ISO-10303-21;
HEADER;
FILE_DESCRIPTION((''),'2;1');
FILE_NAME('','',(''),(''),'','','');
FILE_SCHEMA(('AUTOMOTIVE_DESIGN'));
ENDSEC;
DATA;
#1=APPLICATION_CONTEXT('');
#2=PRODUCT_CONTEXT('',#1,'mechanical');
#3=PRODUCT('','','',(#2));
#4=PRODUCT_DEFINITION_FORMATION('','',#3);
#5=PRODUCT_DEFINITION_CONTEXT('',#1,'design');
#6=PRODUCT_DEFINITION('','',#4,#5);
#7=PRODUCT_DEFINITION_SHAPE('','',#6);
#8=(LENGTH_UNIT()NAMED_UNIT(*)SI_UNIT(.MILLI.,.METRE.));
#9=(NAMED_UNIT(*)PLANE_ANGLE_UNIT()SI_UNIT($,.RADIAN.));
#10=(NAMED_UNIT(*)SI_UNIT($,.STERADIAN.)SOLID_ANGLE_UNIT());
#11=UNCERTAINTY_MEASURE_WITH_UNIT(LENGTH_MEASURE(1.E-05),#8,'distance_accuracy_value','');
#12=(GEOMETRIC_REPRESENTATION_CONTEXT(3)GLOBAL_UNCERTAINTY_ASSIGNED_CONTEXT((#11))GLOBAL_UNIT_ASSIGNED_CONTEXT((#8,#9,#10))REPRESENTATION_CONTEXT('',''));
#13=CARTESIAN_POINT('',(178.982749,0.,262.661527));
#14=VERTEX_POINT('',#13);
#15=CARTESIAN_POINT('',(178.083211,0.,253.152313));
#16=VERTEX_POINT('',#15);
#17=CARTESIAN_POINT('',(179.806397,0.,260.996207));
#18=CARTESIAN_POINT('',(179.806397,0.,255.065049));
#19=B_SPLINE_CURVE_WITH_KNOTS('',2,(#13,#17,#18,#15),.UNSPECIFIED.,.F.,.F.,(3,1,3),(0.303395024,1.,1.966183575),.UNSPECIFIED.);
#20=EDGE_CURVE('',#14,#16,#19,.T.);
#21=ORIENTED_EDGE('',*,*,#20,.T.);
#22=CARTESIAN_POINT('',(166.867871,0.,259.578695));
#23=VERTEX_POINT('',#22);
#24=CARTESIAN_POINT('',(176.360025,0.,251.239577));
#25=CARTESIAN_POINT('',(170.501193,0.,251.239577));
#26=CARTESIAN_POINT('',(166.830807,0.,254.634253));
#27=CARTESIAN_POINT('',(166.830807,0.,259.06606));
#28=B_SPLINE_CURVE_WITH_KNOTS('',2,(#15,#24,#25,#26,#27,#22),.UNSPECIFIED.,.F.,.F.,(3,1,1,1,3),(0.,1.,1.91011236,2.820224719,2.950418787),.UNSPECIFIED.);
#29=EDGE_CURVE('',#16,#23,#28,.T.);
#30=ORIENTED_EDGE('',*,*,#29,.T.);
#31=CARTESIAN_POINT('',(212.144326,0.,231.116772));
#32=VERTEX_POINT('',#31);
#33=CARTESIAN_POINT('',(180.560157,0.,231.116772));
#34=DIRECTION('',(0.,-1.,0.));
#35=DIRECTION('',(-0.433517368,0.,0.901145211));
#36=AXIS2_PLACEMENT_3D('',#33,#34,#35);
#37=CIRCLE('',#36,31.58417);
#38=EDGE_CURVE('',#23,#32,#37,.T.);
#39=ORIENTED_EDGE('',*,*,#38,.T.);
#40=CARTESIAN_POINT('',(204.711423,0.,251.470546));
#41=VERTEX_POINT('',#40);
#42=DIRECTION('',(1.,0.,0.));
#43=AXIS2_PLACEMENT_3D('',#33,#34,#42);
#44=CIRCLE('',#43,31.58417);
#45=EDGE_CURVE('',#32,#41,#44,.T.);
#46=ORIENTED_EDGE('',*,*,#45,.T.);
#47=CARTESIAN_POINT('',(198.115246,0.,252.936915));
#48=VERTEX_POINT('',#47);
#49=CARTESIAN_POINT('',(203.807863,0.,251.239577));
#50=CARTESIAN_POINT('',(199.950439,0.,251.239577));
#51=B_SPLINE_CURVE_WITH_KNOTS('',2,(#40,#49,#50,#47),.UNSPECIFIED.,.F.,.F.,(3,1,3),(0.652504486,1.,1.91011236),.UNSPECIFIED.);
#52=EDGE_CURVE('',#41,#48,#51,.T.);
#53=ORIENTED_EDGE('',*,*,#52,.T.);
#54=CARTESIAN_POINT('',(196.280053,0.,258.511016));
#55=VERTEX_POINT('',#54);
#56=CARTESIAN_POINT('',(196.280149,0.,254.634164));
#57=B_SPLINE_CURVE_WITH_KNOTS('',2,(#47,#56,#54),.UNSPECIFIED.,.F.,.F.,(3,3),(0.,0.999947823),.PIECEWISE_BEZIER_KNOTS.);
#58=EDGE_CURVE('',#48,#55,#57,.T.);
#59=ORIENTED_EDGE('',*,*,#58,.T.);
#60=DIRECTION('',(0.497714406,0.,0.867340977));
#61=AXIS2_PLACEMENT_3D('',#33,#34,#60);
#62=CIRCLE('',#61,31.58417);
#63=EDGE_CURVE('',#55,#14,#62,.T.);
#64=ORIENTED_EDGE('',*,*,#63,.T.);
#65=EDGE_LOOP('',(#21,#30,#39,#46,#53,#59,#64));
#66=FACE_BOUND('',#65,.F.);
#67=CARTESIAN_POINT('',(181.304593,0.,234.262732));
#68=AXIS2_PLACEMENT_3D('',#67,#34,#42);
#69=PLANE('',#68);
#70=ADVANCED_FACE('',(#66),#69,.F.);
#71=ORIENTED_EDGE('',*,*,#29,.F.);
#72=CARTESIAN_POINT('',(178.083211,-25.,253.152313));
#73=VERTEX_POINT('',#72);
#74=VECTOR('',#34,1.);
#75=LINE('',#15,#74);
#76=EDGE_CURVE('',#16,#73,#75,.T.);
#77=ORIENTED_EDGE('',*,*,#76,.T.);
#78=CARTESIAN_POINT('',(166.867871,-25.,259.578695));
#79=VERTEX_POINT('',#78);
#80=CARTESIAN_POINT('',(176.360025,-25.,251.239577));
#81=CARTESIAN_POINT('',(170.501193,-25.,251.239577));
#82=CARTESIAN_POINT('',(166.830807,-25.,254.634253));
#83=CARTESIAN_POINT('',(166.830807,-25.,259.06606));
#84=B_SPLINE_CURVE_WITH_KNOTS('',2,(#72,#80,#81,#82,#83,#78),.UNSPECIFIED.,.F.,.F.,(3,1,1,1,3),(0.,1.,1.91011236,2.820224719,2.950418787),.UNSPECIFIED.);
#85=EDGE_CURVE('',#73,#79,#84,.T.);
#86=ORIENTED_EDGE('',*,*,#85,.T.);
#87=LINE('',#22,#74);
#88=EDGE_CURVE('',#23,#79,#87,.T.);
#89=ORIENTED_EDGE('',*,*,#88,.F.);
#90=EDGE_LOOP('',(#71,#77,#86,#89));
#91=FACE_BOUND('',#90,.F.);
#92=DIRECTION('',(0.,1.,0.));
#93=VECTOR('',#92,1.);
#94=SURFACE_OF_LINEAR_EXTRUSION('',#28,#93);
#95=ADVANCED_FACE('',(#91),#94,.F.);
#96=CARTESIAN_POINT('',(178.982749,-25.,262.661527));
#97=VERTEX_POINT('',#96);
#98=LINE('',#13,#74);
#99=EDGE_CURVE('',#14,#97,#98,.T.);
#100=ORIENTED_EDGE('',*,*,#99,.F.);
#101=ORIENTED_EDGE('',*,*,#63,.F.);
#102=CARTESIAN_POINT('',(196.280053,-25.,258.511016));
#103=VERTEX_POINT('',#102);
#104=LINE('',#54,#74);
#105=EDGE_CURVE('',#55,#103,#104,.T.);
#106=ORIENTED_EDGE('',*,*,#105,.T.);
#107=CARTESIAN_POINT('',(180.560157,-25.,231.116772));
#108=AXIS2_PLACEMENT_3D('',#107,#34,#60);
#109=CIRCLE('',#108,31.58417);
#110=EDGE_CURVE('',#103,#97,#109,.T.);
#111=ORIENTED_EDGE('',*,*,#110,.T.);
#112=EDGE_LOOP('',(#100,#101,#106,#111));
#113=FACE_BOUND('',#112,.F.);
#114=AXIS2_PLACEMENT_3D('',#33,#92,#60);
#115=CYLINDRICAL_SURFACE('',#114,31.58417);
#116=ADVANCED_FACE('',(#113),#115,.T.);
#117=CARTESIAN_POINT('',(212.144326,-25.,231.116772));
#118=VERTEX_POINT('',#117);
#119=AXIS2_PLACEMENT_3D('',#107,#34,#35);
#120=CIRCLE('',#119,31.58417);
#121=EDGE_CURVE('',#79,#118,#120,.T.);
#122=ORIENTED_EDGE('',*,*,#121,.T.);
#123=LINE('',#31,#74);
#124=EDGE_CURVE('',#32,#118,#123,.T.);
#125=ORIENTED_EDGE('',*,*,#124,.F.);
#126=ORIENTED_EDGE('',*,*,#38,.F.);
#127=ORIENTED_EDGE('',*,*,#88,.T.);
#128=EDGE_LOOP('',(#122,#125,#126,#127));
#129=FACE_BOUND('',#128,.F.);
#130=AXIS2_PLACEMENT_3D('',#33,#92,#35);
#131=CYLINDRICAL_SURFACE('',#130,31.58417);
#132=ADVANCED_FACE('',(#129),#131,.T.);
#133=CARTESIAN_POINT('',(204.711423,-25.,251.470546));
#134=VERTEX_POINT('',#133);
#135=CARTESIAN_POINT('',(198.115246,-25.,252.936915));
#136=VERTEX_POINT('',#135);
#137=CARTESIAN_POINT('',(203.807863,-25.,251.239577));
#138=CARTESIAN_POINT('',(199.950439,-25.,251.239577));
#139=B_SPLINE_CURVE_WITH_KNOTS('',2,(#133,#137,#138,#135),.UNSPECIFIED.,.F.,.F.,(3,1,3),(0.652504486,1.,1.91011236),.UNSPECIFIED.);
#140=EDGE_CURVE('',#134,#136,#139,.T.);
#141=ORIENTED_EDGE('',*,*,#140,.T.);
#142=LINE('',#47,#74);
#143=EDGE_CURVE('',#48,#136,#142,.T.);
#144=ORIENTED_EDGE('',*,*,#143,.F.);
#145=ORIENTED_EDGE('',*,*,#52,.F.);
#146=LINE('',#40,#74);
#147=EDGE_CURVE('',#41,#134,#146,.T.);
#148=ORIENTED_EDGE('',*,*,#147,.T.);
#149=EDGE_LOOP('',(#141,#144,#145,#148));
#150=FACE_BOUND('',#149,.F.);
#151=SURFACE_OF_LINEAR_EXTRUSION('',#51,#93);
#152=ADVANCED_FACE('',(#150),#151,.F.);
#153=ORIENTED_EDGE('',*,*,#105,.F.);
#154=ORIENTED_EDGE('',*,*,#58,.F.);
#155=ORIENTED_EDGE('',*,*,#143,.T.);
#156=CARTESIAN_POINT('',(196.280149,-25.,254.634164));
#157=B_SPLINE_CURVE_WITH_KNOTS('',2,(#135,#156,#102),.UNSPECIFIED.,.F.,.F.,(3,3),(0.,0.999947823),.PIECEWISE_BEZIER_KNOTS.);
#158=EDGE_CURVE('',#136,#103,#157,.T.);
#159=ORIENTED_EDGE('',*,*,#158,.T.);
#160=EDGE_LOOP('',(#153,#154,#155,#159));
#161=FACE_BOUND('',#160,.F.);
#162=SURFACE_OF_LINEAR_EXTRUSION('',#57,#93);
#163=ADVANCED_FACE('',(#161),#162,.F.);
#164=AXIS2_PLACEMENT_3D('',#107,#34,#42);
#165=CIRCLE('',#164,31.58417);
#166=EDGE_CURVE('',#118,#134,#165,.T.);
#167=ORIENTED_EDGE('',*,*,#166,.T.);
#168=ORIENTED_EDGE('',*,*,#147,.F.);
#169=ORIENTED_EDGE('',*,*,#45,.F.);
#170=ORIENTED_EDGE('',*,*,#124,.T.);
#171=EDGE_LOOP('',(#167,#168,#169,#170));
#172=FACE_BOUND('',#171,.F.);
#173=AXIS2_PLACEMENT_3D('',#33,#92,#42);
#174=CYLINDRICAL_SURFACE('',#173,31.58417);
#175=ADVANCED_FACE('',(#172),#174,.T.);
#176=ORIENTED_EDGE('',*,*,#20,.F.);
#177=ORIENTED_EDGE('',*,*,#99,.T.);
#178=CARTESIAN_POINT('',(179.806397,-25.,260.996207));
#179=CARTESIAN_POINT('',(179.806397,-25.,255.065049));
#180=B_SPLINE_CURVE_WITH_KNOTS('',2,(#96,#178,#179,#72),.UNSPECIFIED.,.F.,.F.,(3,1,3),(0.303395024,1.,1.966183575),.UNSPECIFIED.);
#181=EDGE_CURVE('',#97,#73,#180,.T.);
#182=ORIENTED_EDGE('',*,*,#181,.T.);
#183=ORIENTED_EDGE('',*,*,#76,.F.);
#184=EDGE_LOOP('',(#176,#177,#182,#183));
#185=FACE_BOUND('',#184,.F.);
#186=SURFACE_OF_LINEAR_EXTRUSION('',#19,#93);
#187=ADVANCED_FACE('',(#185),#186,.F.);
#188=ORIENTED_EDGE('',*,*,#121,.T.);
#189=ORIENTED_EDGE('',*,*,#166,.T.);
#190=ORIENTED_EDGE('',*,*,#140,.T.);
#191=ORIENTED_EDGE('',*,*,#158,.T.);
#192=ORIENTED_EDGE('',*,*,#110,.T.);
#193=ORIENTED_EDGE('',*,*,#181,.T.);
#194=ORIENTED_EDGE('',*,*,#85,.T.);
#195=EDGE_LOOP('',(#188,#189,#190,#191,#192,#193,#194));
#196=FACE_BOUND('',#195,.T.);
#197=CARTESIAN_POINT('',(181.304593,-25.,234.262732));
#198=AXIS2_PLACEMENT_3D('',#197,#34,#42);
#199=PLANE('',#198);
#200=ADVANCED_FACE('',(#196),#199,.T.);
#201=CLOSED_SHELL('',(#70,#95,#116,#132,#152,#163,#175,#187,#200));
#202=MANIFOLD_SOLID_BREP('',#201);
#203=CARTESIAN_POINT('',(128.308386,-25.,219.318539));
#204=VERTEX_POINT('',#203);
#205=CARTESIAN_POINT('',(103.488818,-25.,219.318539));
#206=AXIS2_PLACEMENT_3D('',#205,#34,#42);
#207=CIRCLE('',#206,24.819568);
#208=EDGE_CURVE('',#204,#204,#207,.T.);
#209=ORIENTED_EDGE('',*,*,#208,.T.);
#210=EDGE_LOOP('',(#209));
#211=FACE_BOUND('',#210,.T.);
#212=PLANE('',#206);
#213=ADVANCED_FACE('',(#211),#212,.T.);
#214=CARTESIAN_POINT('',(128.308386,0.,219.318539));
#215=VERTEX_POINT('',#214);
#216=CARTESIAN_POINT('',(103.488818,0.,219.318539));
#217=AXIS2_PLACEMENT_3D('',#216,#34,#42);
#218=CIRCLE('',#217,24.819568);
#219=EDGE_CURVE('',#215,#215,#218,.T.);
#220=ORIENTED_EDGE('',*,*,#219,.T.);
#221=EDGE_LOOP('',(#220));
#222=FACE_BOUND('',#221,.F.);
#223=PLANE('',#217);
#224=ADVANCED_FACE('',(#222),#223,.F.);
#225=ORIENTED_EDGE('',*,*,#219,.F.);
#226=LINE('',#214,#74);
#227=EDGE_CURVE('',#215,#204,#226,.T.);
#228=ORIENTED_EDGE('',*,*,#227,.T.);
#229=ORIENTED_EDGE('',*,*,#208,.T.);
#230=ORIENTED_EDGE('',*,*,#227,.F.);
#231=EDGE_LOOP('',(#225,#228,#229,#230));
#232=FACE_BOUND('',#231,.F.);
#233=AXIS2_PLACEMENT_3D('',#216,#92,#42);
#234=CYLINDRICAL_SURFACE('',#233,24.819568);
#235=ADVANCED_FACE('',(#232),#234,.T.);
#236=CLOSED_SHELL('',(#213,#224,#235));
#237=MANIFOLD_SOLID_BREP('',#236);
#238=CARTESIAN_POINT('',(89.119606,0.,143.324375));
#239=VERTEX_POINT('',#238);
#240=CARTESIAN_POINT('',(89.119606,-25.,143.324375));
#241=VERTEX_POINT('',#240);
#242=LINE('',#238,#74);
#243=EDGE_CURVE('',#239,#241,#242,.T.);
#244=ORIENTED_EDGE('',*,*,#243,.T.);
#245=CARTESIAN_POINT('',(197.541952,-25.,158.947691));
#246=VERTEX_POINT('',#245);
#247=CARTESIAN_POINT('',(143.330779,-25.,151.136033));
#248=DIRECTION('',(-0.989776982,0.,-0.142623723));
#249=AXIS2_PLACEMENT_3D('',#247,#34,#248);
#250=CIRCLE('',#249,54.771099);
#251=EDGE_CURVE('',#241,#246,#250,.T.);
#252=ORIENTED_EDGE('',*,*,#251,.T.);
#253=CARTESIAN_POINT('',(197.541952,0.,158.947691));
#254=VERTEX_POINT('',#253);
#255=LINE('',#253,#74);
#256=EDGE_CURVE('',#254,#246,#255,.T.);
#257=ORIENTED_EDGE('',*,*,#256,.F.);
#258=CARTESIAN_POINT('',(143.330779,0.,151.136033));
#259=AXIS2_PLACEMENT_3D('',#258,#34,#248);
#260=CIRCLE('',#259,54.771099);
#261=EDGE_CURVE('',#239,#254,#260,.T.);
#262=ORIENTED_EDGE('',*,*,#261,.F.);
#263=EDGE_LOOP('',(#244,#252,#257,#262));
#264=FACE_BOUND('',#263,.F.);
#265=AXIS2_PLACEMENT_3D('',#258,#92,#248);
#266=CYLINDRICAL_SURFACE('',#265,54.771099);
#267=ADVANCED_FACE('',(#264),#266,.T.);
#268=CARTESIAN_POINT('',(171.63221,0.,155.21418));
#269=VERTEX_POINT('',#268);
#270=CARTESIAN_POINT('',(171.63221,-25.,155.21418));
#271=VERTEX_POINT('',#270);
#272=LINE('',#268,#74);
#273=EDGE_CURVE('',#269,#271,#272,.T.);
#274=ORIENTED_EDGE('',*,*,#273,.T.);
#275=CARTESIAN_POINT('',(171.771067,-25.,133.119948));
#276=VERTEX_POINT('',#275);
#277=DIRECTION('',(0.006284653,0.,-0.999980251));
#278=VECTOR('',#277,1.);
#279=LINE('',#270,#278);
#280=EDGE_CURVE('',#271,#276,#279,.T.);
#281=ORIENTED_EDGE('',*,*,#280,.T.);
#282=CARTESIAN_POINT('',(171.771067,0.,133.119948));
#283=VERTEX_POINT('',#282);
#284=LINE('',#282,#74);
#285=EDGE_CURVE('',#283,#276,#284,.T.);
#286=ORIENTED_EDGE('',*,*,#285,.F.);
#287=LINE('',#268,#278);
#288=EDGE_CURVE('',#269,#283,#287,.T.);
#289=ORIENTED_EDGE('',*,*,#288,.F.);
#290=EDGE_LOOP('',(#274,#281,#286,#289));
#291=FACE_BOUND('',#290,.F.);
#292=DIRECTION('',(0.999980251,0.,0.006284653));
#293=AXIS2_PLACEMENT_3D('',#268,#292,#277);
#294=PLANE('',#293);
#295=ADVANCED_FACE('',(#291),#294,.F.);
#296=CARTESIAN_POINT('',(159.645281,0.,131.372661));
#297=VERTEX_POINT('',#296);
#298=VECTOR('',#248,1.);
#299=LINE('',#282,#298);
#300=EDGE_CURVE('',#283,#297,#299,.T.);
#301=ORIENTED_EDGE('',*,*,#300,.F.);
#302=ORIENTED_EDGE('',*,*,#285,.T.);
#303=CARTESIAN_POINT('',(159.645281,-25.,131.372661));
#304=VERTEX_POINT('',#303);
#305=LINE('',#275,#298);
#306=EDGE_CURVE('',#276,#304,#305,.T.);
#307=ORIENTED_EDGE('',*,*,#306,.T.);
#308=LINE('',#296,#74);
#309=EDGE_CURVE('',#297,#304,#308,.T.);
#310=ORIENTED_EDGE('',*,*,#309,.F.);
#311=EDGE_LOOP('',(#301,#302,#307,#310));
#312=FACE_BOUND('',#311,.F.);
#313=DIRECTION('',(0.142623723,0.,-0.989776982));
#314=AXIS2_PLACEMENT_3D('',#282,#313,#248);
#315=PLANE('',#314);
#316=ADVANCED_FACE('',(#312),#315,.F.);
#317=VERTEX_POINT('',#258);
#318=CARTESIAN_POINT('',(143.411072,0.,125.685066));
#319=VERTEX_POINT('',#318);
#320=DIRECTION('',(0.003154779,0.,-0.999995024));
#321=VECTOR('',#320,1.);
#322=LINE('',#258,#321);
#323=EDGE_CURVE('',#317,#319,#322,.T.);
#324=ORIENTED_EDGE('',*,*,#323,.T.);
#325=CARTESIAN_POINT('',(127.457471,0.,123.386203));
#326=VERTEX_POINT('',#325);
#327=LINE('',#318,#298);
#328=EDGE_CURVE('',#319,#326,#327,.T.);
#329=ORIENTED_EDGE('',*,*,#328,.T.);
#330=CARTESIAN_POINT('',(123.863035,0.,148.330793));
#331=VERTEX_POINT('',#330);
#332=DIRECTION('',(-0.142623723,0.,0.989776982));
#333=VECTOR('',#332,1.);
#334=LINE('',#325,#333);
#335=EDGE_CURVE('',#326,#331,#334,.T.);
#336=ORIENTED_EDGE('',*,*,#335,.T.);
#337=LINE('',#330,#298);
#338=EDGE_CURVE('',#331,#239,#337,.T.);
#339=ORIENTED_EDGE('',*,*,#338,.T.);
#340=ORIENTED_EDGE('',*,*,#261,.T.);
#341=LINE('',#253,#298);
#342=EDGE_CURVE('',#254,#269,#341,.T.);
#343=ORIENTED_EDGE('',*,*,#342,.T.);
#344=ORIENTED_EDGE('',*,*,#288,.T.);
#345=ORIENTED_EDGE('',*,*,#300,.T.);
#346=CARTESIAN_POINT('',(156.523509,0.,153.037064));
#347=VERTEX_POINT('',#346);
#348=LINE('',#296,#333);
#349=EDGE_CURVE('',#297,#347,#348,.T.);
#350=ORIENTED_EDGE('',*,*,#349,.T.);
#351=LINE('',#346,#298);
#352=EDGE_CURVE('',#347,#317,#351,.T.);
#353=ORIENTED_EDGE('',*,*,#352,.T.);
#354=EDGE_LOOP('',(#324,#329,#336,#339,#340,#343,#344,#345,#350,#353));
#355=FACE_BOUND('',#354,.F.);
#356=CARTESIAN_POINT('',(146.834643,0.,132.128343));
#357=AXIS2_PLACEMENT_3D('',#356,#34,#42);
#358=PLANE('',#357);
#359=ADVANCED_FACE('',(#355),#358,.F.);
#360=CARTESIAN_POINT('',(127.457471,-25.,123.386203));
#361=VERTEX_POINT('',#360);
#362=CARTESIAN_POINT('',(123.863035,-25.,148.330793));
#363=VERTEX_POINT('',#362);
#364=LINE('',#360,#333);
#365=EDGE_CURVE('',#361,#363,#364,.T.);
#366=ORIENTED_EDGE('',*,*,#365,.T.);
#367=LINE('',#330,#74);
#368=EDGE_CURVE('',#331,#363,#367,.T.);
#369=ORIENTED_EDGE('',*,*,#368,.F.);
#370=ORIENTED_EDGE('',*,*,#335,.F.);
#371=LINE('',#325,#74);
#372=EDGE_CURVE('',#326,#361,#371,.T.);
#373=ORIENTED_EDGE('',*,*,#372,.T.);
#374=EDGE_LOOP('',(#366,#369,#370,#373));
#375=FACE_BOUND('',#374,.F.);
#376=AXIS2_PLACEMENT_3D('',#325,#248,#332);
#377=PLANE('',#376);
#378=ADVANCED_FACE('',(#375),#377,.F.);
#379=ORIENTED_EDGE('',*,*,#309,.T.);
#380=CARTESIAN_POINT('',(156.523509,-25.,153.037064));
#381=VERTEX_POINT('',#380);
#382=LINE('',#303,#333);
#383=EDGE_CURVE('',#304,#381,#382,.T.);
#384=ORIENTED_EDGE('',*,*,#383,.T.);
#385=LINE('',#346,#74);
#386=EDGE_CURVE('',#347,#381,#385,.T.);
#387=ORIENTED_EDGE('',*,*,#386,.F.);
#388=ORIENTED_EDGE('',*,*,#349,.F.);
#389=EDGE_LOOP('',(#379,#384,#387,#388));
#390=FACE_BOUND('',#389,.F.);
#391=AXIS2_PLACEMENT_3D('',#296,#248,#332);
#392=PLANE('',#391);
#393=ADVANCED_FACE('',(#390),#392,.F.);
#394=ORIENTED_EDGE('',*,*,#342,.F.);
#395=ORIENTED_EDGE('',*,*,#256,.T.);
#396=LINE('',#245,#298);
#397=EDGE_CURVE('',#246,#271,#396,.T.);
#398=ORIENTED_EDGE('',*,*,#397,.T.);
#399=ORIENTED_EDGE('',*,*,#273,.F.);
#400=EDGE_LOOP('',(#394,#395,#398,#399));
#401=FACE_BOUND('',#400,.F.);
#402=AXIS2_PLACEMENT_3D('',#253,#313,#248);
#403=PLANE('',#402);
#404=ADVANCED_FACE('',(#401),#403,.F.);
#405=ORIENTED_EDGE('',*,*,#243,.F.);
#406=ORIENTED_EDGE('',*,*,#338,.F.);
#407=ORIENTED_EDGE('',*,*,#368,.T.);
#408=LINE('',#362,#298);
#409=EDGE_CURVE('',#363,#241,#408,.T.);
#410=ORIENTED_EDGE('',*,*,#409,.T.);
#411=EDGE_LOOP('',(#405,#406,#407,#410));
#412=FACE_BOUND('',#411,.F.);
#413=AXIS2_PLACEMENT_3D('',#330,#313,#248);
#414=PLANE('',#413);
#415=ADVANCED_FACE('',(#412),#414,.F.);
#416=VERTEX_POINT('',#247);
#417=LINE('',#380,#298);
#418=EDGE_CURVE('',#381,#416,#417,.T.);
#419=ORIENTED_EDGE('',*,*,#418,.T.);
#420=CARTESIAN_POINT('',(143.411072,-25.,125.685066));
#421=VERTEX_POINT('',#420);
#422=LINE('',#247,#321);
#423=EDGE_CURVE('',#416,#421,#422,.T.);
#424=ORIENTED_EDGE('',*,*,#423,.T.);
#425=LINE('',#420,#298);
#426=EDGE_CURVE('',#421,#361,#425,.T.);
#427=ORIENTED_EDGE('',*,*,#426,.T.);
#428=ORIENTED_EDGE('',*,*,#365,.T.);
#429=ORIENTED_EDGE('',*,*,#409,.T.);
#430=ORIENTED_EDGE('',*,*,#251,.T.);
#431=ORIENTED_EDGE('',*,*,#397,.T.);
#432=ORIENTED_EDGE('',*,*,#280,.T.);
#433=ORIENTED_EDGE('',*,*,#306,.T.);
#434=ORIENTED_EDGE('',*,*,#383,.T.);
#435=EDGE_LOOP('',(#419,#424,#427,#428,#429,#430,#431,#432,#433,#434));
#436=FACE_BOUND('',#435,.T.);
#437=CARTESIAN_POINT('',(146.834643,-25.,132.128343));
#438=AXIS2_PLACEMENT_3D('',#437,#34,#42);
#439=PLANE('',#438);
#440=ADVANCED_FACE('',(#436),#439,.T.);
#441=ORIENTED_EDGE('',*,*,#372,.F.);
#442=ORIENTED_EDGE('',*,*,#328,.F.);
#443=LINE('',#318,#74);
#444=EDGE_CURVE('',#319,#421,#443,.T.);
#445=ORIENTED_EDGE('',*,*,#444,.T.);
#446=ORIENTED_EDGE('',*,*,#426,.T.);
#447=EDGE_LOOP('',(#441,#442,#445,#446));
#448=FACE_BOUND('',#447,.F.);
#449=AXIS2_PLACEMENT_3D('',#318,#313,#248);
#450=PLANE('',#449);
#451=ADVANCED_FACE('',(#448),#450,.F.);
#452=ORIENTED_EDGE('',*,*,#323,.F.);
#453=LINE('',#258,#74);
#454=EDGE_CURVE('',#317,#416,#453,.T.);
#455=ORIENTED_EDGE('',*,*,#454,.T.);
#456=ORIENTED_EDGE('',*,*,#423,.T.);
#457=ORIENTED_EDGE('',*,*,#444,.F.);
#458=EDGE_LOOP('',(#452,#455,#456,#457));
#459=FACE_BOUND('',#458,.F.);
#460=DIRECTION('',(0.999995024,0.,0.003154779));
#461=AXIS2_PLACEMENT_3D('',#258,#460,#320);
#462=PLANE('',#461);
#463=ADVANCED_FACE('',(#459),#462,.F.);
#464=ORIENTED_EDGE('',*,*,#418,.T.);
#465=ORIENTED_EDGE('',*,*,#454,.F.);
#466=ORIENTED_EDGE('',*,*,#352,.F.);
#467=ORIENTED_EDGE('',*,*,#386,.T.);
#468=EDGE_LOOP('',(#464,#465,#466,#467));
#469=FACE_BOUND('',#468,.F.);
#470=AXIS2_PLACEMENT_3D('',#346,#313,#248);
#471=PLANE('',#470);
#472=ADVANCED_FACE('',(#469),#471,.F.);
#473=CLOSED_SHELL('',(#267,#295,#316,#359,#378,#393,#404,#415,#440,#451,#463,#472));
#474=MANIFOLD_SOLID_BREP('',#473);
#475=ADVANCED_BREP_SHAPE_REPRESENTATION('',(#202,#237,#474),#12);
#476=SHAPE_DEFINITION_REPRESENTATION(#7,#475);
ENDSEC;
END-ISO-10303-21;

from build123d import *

# Parameters (mm, degrees)
F1_DEPTH = 25
F0_R     = 24.8195677996


with BuildPart() as f1:
    # F0 (on Front) → F1 (new body)
    with BuildSketch(Plane.XZ):
        with BuildLine():
            Line((123.8630347279, 148.3307930557), (89.11960572, 143.3243751526))
            ThreePointArc((89.11960572, 143.3243751526), (151.142437011, 96.9248600304), (197.5419521332, 158.9476913214))
            Line((197.5419521332, 158.9476913214), (171.6322098768, 155.214179656))
            Line((171.6322098768, 155.214179656), (171.7710671958, 133.1199479656))
            Line((171.7710671958, 133.1199479656), (159.6452806425, 131.3726605901))
            Line((159.6452806425, 131.3726605901), (156.5235088705, 153.0370637705))
            Line((156.5235088705, 153.0370637705), (143.3307789266, 151.136033237))
            Line((143.3307789266, 151.136033237), (143.4110715051, 125.685066173))
            Line((143.4110715051, 125.685066173), (127.4574710295, 123.3862029542))
            Line((127.4574710295, 123.3862029542), (123.8630347279, 148.3307930557))
        make_face()
    extrude(amount=F1_DEPTH)


with BuildPart() as f1b:
    # F0 (on Front) → F1, piece 2 (new body)
    with BuildSketch(Plane.XZ):
        with Locations((103.488817811, 219.3185389042)):
            Circle(F0_R)
    extrude(amount=F1_DEPTH)


with BuildPart() as f1c:
    # F0 (on Front) → F1, piece 3 (new body)
    with BuildSketch(Plane.XZ):
        with BuildLine():
            ThreePointArc((166.8678705537, 259.5786950078), (163.750928753, 204.3771076348), (212.1443264481, 231.116771698))
            ThreePointArc((212.1443264481, 231.116771698), (210.2279631008, 241.9510248807), (204.7114230047, 251.4705456604))
            add(Edge.make_bspline(
                [(204.7114230047, 251.4705456604), (203.8078626424, 251.2395767658), (202.7419998137, 251.2395767658)],
                knots=[0.6525044859, 0.6525044859, 0.6525044859, 1, 1, 1], degree=2))
            add(Edge.make_bspline(
                [(202.7419998137, 251.2395767658), (199.9504387875, 251.2395767658), (198.1152458906, 252.9369147972)],
                knots=[0, 0, 0, 1, 1, 1], degree=2))
            add(Edge.make_bspline(
                [(198.1152458906, 252.9369147972), (196.2801487484, 254.6341642668), (196.2800529987, 258.5110163296)],
                knots=[0, 0, 0, 0.9999478231, 0.9999478231, 0.9999478231], degree=2))
            ThreePointArc((196.2800529987, 258.5110163296), (187.9296328653, 261.8291568151), (178.9827488716, 262.6615266189))
            add(Edge.make_bspline(
                [(178.9827488716, 262.6615266189), (179.8063965673, 260.9962071412), (179.8063965673, 258.5114209206)],
                knots=[0.3033950235, 0.3033950235, 0.3033950235, 1, 1, 1], degree=2))
            add(Edge.make_bspline(
                [(179.8063965673, 258.5114209206), (179.8063965673, 255.0650492833), (178.0832107486, 253.1523130246)],
                knots=[0, 0, 0, 1, 1, 1], degree=2))
            add(Edge.make_bspline(
                [(178.0832107486, 253.1523130246), (176.3600249299, 251.2395767658), (173.2927541727, 251.2395767658)],
                knots=[0, 0, 0, 1, 1, 1], degree=2))
            add(Edge.make_bspline(
                [(173.2927541727, 251.2395767658), (170.5011931465, 251.2395767658), (168.6660002496, 252.9369147972)],
                knots=[0, 0, 0, 1, 1, 1], degree=2))
            add(Edge.make_bspline(
                [(168.6660002496, 252.9369147972), (166.8308073527, 254.6342528286), (166.8308073527, 258.5114209206)],
                knots=[0, 0, 0, 1, 1, 1], degree=2))
            add(Edge.make_bspline(
                [(166.8308073527, 258.5114209206), (166.8308073527, 259.0660604448), (166.8678705537, 259.5786950078)],
                knots=[0, 0, 0, 0.0757338042, 0.0757338042, 0.0757338042], degree=2))
        make_face()
    extrude(amount=F1_DEPTH)


solid = Compound([f1.part, f1b.part, f1c.part])
